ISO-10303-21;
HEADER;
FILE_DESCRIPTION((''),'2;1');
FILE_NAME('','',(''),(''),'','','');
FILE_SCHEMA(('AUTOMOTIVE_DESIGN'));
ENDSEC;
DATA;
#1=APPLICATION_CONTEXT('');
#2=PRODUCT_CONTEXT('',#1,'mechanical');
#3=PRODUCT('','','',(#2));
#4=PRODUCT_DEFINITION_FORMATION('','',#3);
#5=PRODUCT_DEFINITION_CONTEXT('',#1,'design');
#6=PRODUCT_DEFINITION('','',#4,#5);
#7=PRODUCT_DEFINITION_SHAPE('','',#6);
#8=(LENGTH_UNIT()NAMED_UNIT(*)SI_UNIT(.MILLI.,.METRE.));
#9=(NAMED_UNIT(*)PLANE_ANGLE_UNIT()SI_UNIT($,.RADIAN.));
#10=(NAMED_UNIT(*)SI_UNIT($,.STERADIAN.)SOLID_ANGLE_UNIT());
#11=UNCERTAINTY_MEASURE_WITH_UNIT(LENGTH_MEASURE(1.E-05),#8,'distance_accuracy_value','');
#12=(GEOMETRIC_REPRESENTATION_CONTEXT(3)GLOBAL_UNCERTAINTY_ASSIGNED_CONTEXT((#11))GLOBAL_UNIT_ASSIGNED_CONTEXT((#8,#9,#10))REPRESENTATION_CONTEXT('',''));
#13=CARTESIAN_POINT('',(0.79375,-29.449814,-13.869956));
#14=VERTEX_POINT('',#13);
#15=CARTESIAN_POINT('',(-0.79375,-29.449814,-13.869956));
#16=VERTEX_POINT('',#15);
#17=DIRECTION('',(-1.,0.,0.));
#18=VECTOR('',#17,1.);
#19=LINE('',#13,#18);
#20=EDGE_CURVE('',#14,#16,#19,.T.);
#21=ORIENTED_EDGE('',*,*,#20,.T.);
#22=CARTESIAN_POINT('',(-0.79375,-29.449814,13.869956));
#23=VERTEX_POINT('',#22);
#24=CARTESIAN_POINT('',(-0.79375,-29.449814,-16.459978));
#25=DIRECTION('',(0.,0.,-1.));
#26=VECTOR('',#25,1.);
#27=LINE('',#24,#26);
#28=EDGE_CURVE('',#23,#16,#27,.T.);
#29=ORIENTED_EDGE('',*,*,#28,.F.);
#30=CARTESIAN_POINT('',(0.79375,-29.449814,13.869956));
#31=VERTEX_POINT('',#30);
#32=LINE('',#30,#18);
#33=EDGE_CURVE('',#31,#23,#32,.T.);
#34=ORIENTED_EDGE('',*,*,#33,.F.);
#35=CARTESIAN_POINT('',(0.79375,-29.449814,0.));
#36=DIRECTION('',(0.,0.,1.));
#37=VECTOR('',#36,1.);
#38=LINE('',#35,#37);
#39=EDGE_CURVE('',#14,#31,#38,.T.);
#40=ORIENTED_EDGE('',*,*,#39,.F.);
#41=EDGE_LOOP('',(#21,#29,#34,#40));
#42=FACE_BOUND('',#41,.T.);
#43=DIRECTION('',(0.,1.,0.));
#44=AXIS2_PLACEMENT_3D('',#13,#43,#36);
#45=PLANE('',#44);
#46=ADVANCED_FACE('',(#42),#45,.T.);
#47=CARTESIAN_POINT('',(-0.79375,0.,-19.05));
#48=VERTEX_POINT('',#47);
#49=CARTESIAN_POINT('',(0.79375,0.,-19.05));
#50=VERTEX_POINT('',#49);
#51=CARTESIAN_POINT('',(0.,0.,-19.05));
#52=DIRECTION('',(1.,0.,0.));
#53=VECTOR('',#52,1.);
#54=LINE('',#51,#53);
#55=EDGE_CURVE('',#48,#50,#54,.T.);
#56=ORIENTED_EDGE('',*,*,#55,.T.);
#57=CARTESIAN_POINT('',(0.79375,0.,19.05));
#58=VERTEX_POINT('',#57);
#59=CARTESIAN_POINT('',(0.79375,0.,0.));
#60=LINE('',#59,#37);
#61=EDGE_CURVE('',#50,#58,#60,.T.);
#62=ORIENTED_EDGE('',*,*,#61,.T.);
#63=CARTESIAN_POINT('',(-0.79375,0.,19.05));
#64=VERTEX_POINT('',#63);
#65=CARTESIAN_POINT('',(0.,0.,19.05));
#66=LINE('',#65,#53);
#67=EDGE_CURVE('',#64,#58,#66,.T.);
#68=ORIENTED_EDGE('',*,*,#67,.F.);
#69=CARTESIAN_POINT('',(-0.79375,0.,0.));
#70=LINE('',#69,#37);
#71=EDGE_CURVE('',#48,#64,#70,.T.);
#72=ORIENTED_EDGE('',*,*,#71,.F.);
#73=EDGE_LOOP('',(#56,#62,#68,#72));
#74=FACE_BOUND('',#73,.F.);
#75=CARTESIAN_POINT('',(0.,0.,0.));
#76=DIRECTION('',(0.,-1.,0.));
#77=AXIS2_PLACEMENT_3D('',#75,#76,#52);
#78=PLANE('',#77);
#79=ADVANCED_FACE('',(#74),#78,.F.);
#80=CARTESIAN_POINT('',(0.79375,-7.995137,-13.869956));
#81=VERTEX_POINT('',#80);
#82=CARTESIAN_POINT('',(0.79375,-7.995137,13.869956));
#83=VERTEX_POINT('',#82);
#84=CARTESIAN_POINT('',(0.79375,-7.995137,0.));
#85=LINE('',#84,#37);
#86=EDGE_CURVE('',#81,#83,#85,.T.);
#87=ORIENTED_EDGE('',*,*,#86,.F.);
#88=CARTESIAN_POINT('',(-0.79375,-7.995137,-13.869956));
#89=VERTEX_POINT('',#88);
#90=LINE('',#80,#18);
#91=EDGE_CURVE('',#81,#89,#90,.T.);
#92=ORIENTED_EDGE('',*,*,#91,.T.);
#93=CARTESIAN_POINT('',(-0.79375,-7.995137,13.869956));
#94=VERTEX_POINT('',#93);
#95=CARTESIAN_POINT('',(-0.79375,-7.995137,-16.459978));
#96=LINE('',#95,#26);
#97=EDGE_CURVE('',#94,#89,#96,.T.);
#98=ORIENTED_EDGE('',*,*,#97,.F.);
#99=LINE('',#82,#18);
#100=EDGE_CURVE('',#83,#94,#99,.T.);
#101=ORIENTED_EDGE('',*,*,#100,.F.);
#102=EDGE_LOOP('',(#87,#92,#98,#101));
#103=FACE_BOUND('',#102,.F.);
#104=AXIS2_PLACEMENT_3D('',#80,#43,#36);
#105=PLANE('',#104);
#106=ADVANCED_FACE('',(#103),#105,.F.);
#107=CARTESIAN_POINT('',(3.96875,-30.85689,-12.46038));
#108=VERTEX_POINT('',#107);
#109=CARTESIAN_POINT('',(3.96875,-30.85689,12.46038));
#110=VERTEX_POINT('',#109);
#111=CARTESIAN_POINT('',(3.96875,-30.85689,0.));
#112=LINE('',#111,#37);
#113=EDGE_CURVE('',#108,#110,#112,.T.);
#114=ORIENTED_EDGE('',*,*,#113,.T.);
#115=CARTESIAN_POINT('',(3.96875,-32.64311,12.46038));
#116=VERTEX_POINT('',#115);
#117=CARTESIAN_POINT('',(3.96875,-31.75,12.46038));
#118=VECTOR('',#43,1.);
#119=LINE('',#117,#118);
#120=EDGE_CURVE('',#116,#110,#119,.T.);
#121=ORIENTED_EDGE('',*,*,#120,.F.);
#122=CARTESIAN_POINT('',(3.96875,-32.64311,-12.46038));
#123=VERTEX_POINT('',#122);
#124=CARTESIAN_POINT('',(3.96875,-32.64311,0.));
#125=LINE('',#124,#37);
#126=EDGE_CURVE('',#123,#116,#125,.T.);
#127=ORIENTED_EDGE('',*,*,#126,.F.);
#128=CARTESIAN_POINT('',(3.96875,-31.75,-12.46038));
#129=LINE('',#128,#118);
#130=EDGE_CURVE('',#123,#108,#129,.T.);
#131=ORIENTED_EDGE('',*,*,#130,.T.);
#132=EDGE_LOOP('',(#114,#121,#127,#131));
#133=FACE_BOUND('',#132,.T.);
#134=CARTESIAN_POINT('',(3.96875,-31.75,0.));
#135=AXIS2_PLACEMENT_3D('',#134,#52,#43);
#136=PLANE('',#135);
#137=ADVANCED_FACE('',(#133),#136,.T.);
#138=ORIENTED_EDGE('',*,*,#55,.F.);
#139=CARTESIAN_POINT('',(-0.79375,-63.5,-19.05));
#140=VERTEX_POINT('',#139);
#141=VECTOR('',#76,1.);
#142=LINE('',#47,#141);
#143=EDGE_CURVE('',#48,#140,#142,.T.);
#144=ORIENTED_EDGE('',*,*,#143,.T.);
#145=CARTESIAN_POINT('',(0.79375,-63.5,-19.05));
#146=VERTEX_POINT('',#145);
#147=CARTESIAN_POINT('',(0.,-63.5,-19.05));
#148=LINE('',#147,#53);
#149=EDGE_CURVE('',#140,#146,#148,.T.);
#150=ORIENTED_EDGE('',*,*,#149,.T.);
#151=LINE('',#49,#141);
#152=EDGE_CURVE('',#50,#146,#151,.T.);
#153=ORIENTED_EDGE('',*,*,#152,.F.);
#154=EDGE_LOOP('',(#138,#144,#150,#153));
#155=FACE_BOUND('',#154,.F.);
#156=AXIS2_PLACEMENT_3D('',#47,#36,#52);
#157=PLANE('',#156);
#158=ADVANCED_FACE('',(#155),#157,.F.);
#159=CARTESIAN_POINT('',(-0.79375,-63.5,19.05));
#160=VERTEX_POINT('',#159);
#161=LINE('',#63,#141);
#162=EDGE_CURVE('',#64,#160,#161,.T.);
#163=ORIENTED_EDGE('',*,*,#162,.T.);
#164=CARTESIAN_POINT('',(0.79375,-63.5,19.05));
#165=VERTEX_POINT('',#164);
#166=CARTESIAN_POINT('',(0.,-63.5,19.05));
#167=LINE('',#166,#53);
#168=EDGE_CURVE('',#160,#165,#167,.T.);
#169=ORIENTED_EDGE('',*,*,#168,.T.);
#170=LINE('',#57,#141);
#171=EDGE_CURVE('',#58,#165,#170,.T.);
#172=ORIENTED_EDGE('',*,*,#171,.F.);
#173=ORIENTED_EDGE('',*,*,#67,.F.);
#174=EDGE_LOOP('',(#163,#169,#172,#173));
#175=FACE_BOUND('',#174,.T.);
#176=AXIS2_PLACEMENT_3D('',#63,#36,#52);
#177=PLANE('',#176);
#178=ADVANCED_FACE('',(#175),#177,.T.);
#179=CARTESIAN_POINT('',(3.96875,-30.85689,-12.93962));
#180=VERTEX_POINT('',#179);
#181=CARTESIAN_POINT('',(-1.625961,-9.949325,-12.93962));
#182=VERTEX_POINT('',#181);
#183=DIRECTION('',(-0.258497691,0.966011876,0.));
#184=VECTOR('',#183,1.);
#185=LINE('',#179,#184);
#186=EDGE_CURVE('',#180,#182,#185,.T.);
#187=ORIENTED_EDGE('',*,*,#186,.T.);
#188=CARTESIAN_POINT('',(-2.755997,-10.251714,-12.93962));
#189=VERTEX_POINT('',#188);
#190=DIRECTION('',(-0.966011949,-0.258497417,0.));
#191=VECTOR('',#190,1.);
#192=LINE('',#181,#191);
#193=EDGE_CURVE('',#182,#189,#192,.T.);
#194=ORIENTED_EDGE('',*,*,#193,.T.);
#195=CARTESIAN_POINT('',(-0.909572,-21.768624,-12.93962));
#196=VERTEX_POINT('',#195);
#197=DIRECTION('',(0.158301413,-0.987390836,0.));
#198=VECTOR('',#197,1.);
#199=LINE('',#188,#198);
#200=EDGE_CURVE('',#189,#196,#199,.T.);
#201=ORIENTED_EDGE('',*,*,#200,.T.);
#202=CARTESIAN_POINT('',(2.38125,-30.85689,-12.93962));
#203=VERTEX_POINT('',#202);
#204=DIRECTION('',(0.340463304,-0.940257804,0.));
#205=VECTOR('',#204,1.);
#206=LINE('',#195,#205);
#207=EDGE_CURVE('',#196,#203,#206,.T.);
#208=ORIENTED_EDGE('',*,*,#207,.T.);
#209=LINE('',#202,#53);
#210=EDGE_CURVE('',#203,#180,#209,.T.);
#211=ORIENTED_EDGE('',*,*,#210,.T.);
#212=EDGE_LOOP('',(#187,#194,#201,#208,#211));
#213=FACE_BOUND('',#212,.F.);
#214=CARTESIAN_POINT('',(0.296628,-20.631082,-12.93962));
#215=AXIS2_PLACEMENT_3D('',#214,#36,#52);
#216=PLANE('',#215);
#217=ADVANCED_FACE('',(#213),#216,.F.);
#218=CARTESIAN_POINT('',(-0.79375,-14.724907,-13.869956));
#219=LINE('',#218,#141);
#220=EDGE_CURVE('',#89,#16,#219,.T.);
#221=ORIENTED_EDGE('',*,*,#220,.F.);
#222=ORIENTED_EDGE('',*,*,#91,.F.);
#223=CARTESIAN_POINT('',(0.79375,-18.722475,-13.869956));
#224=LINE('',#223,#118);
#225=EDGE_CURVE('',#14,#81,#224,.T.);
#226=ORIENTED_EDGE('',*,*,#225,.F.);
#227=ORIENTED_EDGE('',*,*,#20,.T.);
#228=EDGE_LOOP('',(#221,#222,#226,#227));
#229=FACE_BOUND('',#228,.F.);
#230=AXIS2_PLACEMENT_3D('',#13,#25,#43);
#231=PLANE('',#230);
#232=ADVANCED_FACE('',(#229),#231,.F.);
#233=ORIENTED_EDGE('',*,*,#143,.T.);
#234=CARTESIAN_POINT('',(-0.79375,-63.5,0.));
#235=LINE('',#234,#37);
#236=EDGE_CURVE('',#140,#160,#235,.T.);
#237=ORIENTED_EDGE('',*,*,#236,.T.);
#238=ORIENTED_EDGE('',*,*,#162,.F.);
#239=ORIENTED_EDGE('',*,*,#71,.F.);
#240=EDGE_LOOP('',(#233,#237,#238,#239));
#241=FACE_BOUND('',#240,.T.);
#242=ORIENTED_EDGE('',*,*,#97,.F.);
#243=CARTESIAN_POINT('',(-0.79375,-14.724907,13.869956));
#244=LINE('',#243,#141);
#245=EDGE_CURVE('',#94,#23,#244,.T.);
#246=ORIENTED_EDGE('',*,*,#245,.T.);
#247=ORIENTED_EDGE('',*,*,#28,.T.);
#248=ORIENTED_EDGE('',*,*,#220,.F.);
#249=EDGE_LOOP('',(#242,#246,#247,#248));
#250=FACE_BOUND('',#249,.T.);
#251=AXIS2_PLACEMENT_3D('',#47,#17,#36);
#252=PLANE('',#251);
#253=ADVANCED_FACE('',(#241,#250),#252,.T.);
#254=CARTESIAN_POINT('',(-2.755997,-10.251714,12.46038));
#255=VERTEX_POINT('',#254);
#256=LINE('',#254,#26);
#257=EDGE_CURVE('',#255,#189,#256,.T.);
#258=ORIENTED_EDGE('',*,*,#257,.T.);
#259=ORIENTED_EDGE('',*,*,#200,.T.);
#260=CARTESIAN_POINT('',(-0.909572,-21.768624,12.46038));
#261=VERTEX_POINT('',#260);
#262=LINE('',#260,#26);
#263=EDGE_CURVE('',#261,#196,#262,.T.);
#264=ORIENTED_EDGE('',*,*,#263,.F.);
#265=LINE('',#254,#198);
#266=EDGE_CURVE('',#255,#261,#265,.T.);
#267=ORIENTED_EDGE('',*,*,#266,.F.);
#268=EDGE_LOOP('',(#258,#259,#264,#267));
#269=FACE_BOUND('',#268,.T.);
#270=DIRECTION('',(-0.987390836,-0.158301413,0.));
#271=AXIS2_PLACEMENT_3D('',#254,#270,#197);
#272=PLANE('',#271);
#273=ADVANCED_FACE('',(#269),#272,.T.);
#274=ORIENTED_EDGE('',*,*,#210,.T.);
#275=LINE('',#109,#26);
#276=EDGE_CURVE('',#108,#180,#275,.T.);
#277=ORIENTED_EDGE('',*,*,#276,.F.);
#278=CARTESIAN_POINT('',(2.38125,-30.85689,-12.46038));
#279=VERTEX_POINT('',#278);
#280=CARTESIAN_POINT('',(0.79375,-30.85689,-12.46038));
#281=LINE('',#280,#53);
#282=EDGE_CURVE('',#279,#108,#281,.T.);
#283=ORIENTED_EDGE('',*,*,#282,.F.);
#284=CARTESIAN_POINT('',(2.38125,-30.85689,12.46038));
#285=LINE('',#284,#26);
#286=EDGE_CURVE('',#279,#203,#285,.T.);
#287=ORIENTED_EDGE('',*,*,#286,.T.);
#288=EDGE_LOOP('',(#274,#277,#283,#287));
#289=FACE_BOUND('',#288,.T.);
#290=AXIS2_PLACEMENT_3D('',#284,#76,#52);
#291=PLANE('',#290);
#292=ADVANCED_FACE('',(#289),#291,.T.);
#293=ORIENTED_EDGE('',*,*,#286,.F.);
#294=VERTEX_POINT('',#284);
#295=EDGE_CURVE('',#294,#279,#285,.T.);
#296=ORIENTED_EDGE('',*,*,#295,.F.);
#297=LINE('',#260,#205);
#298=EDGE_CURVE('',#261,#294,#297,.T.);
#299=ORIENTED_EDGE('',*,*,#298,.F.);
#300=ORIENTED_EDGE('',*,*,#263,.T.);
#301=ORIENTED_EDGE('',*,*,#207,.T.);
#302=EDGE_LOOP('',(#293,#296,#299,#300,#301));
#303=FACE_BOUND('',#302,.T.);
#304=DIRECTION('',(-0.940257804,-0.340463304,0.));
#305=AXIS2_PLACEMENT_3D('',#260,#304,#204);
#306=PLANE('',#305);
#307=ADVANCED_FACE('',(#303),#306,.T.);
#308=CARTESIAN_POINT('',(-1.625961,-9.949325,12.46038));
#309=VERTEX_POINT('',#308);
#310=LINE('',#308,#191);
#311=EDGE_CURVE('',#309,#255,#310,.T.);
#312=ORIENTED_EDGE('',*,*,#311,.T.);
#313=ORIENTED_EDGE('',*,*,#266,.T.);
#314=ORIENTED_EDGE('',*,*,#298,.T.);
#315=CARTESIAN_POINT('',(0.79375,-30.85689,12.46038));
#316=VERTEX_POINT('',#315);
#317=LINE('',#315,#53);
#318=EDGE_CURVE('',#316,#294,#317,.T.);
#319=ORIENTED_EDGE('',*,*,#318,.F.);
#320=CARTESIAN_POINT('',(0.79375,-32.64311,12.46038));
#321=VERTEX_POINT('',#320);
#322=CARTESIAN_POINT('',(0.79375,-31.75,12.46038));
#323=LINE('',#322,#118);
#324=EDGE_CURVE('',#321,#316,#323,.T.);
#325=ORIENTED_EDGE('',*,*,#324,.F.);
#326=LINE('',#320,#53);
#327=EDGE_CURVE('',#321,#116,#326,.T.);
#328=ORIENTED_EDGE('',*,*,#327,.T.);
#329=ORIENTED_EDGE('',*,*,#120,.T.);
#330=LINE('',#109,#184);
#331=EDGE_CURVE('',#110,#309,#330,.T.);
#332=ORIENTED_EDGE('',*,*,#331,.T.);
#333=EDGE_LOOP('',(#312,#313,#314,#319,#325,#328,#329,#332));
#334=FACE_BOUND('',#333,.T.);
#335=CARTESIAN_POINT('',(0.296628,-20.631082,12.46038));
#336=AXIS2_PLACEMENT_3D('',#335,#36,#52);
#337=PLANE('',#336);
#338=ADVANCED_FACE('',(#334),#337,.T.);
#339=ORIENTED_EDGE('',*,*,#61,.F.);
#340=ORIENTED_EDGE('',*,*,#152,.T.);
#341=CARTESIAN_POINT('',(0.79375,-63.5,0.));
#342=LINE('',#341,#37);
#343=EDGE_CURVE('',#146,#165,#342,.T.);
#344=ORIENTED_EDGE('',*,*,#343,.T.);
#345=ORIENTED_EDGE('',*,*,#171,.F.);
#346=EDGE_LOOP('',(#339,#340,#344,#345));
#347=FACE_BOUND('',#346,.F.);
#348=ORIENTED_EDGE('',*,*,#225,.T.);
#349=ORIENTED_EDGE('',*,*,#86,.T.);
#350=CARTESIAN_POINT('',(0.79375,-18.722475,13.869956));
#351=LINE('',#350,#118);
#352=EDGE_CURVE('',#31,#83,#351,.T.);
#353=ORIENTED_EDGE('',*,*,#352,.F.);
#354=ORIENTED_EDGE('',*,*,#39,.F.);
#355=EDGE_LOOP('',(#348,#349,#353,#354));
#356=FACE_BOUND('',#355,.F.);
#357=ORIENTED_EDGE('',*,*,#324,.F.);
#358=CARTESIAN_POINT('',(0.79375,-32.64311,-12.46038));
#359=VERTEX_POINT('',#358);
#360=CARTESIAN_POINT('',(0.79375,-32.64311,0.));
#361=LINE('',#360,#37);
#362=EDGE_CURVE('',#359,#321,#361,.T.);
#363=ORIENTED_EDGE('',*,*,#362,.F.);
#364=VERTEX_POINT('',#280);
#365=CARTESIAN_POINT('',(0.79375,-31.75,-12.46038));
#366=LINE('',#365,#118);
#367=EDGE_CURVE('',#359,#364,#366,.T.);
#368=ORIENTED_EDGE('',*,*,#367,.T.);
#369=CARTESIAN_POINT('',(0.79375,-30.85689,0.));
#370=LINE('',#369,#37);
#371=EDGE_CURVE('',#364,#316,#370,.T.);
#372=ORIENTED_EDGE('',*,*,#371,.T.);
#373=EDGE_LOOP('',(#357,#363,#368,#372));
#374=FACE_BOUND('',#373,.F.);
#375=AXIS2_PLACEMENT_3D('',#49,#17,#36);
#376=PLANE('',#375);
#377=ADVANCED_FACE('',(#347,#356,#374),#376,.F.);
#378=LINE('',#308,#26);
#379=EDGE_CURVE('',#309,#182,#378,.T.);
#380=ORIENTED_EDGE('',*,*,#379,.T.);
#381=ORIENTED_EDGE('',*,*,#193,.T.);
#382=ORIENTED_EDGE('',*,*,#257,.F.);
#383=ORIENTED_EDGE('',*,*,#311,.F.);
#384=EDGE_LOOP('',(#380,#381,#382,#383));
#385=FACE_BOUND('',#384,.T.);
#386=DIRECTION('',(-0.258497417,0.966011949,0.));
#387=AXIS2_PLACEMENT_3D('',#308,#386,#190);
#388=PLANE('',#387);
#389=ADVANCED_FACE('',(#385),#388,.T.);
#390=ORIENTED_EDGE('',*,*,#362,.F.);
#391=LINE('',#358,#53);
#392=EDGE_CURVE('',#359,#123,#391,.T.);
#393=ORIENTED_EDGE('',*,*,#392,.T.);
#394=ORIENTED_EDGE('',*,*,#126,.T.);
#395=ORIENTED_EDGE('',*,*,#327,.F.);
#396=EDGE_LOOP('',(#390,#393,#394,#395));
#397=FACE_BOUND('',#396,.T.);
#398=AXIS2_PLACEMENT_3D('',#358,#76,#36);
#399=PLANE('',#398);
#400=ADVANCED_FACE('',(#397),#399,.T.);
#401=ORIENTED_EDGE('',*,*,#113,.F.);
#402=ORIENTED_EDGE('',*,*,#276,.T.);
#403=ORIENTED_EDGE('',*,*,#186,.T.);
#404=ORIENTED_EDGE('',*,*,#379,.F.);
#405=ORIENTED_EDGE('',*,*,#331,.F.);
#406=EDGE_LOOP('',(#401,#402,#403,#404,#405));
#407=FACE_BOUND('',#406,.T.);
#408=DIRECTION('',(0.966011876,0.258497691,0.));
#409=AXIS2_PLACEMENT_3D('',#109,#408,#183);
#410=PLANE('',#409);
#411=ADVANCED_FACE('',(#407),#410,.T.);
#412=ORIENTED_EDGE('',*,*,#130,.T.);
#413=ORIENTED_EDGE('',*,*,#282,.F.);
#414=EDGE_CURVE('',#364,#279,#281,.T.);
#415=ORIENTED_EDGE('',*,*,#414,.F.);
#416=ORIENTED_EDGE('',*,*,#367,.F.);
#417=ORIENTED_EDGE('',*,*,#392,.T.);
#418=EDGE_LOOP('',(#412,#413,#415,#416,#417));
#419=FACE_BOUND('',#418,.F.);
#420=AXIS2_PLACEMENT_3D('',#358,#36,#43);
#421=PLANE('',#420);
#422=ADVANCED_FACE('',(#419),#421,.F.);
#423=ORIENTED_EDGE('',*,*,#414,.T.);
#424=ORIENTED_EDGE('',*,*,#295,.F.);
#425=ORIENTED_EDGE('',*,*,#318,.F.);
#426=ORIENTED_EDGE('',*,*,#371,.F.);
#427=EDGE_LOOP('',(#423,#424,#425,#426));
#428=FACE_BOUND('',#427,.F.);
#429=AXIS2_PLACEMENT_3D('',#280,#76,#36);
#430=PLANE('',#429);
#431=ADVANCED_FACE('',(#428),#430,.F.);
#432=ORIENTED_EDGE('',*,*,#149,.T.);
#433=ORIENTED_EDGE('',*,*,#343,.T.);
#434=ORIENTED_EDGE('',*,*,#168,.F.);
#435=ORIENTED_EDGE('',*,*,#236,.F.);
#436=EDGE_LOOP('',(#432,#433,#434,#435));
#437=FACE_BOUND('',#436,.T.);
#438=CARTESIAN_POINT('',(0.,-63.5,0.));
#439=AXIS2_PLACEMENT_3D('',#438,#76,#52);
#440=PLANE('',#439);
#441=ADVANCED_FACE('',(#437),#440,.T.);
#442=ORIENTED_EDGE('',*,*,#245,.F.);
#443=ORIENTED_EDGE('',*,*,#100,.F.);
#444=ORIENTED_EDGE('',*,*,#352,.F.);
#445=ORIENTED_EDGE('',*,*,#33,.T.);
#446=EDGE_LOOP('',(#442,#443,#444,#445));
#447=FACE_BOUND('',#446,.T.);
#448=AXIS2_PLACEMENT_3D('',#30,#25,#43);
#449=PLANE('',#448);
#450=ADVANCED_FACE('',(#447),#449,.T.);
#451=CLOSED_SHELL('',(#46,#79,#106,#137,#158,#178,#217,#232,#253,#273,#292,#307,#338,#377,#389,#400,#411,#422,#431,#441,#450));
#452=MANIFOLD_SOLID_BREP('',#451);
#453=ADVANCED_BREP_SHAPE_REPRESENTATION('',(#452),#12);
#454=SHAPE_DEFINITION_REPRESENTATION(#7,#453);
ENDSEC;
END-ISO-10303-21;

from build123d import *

# Parameters (mm, degrees)
F0_W          = 1.5875
F0_H          = 38.1
F1_DEPTH      = 63.5
F2_W          = 1.78622
F2_H          = 24.92076
F3_DEPTH      = 3.175
F5_W          = 21.454677
F5_H          = 27.739912
F6_DEPTH      = 25.4
F6_DEPTH_BACK = 25.4
F7_DEPTH      = 25.4


with BuildPart() as f1:
    # F0 (on Front) → F1 (new body)
    with BuildSketch(Plane.XZ):
        Rectangle(F0_W, F0_H)
    extrude(amount=F1_DEPTH)

    # F2 (on face) → F3 (join)
    with BuildSketch(Plane.YZ.offset(0.79375)):
        with Locations((-31.75, 0)):
            Rectangle(F2_W, F2_H)
    extrude(amount=F3_DEPTH)

    # F5 (on face) → F6 (cut, two sides)
    with BuildSketch(Plane.YZ.offset(0.79375)) as f6_sk:
        with Locations((-18.722475, 0)):
            Rectangle(F5_W, F5_H)
    extrude(amount=-F6_DEPTH, mode=Mode.SUBTRACT)
    extrude(f6_sk.sketch, amount=-F6_DEPTH_BACK, mode=Mode.SUBTRACT)

    # F4 (on face) → F7 (join)
    with BuildSketch(Plane.XY.offset(12.46038)):
        Polygon((2.38125, -30.85689), (3.96875, -30.85689), (-1.625961, -9.949325), (-2.755997, -10.251714), (-0.909572, -21.768624), align=None)
    extrude(amount=-F7_DEPTH)


solid = f1.part
